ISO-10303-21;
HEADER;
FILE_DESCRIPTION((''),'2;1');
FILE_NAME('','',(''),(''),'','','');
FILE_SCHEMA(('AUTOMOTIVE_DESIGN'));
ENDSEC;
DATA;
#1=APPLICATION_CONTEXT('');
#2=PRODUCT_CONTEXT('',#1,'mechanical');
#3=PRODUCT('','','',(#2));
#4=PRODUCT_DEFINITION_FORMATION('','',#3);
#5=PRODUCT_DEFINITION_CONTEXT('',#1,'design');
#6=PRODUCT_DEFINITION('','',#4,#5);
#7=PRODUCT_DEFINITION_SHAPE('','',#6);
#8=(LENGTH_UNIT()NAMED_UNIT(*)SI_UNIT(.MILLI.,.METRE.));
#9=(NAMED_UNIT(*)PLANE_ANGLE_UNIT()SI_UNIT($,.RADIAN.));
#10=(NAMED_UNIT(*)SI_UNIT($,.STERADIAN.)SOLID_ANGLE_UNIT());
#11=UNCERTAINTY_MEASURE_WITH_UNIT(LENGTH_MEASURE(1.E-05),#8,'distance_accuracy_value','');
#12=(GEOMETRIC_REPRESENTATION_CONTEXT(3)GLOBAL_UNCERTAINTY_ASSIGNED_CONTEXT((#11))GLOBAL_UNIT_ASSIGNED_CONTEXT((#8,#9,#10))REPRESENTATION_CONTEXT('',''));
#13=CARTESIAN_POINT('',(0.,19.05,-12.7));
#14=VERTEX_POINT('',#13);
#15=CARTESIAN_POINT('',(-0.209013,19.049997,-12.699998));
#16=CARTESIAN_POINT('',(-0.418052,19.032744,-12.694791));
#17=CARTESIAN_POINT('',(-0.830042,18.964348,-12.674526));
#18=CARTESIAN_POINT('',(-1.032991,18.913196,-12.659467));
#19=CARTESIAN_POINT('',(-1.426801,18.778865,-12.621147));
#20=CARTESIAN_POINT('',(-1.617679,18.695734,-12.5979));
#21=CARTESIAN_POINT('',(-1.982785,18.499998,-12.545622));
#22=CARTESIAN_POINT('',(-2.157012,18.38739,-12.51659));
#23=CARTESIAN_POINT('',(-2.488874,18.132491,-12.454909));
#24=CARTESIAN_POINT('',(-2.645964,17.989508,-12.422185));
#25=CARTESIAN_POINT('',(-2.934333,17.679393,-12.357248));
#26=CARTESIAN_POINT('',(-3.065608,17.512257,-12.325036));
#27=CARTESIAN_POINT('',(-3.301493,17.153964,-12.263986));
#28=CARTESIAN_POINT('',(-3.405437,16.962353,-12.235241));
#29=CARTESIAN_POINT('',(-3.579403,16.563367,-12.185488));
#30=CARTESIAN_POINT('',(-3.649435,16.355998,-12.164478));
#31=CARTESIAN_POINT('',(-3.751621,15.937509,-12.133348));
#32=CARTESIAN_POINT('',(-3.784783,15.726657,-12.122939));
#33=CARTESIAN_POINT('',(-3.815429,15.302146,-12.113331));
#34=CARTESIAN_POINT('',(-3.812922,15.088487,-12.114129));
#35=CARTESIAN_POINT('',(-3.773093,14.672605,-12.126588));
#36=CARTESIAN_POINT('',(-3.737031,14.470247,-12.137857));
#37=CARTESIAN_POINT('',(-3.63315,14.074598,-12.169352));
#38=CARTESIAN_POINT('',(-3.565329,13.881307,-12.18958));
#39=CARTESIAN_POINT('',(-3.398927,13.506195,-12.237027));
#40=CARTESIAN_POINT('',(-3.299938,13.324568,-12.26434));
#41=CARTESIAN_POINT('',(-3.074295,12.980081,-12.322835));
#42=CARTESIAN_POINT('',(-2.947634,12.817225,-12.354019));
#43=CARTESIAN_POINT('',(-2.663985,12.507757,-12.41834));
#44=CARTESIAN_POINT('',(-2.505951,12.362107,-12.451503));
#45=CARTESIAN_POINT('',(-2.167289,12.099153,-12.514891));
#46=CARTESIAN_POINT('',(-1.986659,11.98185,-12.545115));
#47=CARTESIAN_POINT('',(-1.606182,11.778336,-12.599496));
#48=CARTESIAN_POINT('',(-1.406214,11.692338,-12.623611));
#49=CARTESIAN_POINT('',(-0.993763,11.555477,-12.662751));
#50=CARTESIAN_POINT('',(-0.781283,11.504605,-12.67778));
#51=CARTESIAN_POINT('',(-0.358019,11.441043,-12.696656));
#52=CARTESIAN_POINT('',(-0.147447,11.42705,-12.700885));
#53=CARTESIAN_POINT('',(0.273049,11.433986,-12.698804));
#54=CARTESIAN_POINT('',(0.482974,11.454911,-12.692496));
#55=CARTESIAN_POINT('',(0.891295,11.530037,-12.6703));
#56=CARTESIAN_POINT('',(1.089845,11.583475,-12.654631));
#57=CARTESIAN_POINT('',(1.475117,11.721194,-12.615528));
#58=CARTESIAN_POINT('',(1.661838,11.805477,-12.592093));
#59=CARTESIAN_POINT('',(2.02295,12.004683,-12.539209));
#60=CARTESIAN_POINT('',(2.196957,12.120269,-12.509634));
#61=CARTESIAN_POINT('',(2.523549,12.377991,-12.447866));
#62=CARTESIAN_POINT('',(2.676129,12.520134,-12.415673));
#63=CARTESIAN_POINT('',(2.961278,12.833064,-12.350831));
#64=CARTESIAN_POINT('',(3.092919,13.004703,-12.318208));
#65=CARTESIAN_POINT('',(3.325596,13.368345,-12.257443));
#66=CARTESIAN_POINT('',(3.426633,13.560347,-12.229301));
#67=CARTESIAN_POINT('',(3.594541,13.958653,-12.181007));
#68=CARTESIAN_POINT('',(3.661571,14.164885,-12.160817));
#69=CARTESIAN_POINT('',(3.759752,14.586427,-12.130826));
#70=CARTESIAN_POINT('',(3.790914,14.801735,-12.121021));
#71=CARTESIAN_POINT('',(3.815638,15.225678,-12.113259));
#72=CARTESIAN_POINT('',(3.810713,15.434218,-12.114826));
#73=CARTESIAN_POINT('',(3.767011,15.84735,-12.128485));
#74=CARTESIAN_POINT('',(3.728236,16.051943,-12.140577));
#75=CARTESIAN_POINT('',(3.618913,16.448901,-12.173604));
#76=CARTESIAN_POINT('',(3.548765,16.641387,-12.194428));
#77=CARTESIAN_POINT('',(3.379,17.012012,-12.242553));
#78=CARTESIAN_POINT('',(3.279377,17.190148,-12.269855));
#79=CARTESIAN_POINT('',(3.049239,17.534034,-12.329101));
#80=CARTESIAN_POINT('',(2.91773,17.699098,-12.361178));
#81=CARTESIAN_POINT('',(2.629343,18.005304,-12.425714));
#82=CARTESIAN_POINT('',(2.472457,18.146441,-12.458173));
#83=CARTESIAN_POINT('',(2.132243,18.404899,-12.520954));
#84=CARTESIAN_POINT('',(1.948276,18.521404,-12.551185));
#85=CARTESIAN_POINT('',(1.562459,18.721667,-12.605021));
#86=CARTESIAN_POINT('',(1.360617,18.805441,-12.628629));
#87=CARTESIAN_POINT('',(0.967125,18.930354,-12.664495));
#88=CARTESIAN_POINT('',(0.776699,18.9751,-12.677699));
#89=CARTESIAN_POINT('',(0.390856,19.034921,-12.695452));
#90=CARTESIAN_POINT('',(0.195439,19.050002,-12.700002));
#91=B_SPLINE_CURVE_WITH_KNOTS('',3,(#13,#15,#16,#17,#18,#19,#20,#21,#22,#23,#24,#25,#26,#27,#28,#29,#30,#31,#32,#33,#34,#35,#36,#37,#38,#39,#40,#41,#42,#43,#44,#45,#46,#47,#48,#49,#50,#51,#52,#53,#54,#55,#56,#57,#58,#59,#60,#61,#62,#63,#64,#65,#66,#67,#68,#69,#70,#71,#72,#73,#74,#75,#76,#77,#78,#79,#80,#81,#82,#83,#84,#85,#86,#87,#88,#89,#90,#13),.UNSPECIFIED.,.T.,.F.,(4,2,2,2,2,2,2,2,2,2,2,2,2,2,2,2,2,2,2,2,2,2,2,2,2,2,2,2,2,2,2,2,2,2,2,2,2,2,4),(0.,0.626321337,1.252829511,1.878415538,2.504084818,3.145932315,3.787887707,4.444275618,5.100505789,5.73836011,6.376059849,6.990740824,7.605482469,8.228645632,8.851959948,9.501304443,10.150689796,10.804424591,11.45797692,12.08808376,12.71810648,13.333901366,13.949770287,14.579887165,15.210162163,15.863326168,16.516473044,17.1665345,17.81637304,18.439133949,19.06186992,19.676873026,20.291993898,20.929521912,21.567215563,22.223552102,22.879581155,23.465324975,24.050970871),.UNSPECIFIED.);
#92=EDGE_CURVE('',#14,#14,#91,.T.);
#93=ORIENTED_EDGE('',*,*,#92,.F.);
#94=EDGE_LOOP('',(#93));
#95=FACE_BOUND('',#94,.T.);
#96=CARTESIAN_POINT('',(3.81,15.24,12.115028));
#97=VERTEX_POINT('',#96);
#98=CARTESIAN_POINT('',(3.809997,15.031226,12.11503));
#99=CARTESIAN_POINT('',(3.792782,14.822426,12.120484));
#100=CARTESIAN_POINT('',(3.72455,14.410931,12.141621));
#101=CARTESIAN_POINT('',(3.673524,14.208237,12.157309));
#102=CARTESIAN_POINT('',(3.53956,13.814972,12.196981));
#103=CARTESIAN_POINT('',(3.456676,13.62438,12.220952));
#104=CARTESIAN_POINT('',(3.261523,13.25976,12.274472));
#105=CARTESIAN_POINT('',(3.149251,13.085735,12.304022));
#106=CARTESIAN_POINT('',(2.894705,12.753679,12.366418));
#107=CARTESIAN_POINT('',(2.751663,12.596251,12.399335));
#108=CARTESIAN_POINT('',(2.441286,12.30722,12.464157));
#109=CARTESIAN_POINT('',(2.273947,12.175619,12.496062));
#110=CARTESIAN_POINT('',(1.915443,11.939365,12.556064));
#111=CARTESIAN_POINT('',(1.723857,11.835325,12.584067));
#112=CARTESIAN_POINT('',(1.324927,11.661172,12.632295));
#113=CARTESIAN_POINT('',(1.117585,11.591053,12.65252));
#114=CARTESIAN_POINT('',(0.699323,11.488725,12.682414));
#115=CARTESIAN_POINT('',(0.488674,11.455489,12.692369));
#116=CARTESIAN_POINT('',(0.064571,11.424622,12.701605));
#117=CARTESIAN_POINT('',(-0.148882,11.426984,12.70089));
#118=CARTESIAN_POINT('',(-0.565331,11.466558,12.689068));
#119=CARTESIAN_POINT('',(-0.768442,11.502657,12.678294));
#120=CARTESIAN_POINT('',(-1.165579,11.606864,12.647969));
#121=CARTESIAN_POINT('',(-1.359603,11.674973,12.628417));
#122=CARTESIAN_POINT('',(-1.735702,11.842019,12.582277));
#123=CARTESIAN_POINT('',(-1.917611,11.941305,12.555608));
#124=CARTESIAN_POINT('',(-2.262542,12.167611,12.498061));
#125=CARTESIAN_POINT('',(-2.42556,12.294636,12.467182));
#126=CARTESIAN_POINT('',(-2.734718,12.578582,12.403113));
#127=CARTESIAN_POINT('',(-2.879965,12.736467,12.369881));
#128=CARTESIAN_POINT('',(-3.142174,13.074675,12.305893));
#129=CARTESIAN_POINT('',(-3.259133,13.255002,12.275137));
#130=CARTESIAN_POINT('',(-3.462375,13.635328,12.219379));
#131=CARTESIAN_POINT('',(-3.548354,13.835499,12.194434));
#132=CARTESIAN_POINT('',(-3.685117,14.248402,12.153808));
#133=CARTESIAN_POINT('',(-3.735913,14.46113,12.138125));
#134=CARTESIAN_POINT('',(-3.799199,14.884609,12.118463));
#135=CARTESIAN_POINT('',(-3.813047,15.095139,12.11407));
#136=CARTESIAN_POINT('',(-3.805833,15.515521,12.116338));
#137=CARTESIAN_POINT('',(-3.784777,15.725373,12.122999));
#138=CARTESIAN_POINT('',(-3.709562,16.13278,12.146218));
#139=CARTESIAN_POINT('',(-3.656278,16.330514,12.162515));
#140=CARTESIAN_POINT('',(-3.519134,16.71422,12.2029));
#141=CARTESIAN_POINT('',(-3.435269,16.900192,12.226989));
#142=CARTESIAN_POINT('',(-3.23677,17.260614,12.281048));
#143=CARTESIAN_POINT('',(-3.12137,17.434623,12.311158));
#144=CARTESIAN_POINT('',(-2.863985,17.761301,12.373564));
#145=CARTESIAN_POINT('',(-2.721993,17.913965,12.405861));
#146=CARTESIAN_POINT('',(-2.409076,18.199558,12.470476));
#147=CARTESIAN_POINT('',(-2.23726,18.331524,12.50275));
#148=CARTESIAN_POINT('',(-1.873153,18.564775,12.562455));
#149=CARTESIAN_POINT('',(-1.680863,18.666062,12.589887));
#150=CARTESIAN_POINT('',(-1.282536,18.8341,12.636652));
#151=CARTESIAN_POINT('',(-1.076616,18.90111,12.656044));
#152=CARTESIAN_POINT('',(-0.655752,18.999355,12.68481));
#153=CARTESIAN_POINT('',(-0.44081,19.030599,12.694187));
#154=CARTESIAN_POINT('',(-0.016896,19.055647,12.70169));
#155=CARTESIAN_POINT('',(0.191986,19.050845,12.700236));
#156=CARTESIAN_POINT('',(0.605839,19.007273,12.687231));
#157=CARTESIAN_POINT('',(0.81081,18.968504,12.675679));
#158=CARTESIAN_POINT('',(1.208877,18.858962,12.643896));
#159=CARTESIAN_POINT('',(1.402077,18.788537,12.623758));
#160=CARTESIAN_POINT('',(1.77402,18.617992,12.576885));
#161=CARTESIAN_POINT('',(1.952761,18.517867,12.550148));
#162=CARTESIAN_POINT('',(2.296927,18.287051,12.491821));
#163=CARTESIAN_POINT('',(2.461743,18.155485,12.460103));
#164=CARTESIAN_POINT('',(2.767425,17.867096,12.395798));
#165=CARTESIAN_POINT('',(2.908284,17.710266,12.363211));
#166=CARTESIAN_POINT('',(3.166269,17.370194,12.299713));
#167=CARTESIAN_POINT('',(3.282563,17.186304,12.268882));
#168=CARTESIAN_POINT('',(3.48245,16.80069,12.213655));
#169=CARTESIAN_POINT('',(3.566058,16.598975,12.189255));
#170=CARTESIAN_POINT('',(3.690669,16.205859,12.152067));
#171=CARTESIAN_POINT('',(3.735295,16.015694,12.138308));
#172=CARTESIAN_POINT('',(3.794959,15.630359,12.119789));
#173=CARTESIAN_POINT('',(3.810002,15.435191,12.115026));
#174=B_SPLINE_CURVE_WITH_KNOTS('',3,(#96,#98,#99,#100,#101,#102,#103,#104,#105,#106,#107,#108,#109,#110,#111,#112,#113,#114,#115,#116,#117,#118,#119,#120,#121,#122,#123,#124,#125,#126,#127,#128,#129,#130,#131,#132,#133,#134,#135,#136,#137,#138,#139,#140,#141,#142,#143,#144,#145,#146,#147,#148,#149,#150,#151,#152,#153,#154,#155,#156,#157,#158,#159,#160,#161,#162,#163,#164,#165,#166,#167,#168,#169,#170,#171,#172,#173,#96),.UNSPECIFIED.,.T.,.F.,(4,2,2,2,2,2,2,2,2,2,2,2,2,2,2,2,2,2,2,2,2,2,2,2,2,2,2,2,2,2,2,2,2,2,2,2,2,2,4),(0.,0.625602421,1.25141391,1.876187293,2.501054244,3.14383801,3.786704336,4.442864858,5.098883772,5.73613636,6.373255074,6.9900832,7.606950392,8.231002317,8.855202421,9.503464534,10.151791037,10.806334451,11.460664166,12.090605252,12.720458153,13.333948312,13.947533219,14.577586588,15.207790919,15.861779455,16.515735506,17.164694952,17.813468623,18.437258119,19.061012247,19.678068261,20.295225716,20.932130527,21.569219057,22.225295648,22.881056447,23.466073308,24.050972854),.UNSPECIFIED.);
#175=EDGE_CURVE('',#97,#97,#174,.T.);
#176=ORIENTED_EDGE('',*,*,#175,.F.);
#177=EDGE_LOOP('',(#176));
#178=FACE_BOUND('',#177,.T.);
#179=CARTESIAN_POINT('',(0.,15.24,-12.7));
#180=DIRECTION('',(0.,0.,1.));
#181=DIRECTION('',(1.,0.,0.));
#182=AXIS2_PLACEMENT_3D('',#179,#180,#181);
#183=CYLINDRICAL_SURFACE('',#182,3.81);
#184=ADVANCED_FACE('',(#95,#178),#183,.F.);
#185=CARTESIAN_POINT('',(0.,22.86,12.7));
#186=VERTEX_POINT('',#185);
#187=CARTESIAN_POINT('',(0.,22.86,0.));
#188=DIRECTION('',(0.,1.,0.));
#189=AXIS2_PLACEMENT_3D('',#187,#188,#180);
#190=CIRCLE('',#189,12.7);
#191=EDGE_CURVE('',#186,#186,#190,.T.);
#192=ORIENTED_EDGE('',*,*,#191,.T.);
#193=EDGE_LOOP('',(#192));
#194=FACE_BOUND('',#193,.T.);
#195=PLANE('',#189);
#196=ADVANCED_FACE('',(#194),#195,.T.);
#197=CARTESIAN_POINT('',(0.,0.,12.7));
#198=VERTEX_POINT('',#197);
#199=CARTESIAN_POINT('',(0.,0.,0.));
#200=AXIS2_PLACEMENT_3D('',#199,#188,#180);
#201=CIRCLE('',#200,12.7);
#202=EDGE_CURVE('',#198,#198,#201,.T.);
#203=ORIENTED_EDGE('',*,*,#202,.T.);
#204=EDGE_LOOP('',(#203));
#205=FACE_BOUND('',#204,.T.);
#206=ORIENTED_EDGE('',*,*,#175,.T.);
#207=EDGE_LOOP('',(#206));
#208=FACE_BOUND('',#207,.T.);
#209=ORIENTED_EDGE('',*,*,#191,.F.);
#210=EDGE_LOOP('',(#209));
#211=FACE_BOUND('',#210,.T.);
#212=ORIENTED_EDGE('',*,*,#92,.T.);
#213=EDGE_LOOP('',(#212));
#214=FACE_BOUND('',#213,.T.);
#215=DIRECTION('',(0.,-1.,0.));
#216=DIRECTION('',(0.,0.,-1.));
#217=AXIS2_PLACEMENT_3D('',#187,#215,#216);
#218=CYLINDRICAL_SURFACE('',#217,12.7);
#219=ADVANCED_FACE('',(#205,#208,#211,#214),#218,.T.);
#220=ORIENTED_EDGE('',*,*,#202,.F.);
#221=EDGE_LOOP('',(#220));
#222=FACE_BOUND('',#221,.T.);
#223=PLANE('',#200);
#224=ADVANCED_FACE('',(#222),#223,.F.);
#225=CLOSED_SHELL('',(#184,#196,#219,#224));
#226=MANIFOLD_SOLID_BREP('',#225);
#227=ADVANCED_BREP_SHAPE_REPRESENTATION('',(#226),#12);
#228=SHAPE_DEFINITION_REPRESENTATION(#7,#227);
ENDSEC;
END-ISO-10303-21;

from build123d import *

# Parameters (mm, degrees)
SKETCH1_R               = 12.7
BOSS_EXTRUDE1_DEPTH     = 22.86
CUT_EXTRUDE1_DEPTH      = 30.071628781
CUT_EXTRUDE1_DEPTH_BACK = 30.071628781
SKETCH2_R               = 3.81


with BuildPart() as part:
    # Sketch1 → Boss-Extrude1 (new body)
    with BuildSketch(Plane(origin=(0, 0, 0), x_dir=(1, 0, 0), z_dir=(0, 1, 0))):
        with Locations(Location((0, 0, 0), (0, 0, 270))):
            Circle(SKETCH1_R)
    extrude(amount=BOSS_EXTRUDE1_DEPTH)

    # Sketch2 → Cut-Extrude1 (cut, two sides: drawn at the far end of the back side and taken through both)
    with BuildSketch(Plane.XY.offset(-CUT_EXTRUDE1_DEPTH_BACK)):
        with Locations(Location((0, 15.24, 0), (0, 0, 89.999999982))):
            Circle(SKETCH2_R)
    extrude(amount=CUT_EXTRUDE1_DEPTH + CUT_EXTRUDE1_DEPTH_BACK, mode=Mode.SUBTRACT)


solid = part.part
